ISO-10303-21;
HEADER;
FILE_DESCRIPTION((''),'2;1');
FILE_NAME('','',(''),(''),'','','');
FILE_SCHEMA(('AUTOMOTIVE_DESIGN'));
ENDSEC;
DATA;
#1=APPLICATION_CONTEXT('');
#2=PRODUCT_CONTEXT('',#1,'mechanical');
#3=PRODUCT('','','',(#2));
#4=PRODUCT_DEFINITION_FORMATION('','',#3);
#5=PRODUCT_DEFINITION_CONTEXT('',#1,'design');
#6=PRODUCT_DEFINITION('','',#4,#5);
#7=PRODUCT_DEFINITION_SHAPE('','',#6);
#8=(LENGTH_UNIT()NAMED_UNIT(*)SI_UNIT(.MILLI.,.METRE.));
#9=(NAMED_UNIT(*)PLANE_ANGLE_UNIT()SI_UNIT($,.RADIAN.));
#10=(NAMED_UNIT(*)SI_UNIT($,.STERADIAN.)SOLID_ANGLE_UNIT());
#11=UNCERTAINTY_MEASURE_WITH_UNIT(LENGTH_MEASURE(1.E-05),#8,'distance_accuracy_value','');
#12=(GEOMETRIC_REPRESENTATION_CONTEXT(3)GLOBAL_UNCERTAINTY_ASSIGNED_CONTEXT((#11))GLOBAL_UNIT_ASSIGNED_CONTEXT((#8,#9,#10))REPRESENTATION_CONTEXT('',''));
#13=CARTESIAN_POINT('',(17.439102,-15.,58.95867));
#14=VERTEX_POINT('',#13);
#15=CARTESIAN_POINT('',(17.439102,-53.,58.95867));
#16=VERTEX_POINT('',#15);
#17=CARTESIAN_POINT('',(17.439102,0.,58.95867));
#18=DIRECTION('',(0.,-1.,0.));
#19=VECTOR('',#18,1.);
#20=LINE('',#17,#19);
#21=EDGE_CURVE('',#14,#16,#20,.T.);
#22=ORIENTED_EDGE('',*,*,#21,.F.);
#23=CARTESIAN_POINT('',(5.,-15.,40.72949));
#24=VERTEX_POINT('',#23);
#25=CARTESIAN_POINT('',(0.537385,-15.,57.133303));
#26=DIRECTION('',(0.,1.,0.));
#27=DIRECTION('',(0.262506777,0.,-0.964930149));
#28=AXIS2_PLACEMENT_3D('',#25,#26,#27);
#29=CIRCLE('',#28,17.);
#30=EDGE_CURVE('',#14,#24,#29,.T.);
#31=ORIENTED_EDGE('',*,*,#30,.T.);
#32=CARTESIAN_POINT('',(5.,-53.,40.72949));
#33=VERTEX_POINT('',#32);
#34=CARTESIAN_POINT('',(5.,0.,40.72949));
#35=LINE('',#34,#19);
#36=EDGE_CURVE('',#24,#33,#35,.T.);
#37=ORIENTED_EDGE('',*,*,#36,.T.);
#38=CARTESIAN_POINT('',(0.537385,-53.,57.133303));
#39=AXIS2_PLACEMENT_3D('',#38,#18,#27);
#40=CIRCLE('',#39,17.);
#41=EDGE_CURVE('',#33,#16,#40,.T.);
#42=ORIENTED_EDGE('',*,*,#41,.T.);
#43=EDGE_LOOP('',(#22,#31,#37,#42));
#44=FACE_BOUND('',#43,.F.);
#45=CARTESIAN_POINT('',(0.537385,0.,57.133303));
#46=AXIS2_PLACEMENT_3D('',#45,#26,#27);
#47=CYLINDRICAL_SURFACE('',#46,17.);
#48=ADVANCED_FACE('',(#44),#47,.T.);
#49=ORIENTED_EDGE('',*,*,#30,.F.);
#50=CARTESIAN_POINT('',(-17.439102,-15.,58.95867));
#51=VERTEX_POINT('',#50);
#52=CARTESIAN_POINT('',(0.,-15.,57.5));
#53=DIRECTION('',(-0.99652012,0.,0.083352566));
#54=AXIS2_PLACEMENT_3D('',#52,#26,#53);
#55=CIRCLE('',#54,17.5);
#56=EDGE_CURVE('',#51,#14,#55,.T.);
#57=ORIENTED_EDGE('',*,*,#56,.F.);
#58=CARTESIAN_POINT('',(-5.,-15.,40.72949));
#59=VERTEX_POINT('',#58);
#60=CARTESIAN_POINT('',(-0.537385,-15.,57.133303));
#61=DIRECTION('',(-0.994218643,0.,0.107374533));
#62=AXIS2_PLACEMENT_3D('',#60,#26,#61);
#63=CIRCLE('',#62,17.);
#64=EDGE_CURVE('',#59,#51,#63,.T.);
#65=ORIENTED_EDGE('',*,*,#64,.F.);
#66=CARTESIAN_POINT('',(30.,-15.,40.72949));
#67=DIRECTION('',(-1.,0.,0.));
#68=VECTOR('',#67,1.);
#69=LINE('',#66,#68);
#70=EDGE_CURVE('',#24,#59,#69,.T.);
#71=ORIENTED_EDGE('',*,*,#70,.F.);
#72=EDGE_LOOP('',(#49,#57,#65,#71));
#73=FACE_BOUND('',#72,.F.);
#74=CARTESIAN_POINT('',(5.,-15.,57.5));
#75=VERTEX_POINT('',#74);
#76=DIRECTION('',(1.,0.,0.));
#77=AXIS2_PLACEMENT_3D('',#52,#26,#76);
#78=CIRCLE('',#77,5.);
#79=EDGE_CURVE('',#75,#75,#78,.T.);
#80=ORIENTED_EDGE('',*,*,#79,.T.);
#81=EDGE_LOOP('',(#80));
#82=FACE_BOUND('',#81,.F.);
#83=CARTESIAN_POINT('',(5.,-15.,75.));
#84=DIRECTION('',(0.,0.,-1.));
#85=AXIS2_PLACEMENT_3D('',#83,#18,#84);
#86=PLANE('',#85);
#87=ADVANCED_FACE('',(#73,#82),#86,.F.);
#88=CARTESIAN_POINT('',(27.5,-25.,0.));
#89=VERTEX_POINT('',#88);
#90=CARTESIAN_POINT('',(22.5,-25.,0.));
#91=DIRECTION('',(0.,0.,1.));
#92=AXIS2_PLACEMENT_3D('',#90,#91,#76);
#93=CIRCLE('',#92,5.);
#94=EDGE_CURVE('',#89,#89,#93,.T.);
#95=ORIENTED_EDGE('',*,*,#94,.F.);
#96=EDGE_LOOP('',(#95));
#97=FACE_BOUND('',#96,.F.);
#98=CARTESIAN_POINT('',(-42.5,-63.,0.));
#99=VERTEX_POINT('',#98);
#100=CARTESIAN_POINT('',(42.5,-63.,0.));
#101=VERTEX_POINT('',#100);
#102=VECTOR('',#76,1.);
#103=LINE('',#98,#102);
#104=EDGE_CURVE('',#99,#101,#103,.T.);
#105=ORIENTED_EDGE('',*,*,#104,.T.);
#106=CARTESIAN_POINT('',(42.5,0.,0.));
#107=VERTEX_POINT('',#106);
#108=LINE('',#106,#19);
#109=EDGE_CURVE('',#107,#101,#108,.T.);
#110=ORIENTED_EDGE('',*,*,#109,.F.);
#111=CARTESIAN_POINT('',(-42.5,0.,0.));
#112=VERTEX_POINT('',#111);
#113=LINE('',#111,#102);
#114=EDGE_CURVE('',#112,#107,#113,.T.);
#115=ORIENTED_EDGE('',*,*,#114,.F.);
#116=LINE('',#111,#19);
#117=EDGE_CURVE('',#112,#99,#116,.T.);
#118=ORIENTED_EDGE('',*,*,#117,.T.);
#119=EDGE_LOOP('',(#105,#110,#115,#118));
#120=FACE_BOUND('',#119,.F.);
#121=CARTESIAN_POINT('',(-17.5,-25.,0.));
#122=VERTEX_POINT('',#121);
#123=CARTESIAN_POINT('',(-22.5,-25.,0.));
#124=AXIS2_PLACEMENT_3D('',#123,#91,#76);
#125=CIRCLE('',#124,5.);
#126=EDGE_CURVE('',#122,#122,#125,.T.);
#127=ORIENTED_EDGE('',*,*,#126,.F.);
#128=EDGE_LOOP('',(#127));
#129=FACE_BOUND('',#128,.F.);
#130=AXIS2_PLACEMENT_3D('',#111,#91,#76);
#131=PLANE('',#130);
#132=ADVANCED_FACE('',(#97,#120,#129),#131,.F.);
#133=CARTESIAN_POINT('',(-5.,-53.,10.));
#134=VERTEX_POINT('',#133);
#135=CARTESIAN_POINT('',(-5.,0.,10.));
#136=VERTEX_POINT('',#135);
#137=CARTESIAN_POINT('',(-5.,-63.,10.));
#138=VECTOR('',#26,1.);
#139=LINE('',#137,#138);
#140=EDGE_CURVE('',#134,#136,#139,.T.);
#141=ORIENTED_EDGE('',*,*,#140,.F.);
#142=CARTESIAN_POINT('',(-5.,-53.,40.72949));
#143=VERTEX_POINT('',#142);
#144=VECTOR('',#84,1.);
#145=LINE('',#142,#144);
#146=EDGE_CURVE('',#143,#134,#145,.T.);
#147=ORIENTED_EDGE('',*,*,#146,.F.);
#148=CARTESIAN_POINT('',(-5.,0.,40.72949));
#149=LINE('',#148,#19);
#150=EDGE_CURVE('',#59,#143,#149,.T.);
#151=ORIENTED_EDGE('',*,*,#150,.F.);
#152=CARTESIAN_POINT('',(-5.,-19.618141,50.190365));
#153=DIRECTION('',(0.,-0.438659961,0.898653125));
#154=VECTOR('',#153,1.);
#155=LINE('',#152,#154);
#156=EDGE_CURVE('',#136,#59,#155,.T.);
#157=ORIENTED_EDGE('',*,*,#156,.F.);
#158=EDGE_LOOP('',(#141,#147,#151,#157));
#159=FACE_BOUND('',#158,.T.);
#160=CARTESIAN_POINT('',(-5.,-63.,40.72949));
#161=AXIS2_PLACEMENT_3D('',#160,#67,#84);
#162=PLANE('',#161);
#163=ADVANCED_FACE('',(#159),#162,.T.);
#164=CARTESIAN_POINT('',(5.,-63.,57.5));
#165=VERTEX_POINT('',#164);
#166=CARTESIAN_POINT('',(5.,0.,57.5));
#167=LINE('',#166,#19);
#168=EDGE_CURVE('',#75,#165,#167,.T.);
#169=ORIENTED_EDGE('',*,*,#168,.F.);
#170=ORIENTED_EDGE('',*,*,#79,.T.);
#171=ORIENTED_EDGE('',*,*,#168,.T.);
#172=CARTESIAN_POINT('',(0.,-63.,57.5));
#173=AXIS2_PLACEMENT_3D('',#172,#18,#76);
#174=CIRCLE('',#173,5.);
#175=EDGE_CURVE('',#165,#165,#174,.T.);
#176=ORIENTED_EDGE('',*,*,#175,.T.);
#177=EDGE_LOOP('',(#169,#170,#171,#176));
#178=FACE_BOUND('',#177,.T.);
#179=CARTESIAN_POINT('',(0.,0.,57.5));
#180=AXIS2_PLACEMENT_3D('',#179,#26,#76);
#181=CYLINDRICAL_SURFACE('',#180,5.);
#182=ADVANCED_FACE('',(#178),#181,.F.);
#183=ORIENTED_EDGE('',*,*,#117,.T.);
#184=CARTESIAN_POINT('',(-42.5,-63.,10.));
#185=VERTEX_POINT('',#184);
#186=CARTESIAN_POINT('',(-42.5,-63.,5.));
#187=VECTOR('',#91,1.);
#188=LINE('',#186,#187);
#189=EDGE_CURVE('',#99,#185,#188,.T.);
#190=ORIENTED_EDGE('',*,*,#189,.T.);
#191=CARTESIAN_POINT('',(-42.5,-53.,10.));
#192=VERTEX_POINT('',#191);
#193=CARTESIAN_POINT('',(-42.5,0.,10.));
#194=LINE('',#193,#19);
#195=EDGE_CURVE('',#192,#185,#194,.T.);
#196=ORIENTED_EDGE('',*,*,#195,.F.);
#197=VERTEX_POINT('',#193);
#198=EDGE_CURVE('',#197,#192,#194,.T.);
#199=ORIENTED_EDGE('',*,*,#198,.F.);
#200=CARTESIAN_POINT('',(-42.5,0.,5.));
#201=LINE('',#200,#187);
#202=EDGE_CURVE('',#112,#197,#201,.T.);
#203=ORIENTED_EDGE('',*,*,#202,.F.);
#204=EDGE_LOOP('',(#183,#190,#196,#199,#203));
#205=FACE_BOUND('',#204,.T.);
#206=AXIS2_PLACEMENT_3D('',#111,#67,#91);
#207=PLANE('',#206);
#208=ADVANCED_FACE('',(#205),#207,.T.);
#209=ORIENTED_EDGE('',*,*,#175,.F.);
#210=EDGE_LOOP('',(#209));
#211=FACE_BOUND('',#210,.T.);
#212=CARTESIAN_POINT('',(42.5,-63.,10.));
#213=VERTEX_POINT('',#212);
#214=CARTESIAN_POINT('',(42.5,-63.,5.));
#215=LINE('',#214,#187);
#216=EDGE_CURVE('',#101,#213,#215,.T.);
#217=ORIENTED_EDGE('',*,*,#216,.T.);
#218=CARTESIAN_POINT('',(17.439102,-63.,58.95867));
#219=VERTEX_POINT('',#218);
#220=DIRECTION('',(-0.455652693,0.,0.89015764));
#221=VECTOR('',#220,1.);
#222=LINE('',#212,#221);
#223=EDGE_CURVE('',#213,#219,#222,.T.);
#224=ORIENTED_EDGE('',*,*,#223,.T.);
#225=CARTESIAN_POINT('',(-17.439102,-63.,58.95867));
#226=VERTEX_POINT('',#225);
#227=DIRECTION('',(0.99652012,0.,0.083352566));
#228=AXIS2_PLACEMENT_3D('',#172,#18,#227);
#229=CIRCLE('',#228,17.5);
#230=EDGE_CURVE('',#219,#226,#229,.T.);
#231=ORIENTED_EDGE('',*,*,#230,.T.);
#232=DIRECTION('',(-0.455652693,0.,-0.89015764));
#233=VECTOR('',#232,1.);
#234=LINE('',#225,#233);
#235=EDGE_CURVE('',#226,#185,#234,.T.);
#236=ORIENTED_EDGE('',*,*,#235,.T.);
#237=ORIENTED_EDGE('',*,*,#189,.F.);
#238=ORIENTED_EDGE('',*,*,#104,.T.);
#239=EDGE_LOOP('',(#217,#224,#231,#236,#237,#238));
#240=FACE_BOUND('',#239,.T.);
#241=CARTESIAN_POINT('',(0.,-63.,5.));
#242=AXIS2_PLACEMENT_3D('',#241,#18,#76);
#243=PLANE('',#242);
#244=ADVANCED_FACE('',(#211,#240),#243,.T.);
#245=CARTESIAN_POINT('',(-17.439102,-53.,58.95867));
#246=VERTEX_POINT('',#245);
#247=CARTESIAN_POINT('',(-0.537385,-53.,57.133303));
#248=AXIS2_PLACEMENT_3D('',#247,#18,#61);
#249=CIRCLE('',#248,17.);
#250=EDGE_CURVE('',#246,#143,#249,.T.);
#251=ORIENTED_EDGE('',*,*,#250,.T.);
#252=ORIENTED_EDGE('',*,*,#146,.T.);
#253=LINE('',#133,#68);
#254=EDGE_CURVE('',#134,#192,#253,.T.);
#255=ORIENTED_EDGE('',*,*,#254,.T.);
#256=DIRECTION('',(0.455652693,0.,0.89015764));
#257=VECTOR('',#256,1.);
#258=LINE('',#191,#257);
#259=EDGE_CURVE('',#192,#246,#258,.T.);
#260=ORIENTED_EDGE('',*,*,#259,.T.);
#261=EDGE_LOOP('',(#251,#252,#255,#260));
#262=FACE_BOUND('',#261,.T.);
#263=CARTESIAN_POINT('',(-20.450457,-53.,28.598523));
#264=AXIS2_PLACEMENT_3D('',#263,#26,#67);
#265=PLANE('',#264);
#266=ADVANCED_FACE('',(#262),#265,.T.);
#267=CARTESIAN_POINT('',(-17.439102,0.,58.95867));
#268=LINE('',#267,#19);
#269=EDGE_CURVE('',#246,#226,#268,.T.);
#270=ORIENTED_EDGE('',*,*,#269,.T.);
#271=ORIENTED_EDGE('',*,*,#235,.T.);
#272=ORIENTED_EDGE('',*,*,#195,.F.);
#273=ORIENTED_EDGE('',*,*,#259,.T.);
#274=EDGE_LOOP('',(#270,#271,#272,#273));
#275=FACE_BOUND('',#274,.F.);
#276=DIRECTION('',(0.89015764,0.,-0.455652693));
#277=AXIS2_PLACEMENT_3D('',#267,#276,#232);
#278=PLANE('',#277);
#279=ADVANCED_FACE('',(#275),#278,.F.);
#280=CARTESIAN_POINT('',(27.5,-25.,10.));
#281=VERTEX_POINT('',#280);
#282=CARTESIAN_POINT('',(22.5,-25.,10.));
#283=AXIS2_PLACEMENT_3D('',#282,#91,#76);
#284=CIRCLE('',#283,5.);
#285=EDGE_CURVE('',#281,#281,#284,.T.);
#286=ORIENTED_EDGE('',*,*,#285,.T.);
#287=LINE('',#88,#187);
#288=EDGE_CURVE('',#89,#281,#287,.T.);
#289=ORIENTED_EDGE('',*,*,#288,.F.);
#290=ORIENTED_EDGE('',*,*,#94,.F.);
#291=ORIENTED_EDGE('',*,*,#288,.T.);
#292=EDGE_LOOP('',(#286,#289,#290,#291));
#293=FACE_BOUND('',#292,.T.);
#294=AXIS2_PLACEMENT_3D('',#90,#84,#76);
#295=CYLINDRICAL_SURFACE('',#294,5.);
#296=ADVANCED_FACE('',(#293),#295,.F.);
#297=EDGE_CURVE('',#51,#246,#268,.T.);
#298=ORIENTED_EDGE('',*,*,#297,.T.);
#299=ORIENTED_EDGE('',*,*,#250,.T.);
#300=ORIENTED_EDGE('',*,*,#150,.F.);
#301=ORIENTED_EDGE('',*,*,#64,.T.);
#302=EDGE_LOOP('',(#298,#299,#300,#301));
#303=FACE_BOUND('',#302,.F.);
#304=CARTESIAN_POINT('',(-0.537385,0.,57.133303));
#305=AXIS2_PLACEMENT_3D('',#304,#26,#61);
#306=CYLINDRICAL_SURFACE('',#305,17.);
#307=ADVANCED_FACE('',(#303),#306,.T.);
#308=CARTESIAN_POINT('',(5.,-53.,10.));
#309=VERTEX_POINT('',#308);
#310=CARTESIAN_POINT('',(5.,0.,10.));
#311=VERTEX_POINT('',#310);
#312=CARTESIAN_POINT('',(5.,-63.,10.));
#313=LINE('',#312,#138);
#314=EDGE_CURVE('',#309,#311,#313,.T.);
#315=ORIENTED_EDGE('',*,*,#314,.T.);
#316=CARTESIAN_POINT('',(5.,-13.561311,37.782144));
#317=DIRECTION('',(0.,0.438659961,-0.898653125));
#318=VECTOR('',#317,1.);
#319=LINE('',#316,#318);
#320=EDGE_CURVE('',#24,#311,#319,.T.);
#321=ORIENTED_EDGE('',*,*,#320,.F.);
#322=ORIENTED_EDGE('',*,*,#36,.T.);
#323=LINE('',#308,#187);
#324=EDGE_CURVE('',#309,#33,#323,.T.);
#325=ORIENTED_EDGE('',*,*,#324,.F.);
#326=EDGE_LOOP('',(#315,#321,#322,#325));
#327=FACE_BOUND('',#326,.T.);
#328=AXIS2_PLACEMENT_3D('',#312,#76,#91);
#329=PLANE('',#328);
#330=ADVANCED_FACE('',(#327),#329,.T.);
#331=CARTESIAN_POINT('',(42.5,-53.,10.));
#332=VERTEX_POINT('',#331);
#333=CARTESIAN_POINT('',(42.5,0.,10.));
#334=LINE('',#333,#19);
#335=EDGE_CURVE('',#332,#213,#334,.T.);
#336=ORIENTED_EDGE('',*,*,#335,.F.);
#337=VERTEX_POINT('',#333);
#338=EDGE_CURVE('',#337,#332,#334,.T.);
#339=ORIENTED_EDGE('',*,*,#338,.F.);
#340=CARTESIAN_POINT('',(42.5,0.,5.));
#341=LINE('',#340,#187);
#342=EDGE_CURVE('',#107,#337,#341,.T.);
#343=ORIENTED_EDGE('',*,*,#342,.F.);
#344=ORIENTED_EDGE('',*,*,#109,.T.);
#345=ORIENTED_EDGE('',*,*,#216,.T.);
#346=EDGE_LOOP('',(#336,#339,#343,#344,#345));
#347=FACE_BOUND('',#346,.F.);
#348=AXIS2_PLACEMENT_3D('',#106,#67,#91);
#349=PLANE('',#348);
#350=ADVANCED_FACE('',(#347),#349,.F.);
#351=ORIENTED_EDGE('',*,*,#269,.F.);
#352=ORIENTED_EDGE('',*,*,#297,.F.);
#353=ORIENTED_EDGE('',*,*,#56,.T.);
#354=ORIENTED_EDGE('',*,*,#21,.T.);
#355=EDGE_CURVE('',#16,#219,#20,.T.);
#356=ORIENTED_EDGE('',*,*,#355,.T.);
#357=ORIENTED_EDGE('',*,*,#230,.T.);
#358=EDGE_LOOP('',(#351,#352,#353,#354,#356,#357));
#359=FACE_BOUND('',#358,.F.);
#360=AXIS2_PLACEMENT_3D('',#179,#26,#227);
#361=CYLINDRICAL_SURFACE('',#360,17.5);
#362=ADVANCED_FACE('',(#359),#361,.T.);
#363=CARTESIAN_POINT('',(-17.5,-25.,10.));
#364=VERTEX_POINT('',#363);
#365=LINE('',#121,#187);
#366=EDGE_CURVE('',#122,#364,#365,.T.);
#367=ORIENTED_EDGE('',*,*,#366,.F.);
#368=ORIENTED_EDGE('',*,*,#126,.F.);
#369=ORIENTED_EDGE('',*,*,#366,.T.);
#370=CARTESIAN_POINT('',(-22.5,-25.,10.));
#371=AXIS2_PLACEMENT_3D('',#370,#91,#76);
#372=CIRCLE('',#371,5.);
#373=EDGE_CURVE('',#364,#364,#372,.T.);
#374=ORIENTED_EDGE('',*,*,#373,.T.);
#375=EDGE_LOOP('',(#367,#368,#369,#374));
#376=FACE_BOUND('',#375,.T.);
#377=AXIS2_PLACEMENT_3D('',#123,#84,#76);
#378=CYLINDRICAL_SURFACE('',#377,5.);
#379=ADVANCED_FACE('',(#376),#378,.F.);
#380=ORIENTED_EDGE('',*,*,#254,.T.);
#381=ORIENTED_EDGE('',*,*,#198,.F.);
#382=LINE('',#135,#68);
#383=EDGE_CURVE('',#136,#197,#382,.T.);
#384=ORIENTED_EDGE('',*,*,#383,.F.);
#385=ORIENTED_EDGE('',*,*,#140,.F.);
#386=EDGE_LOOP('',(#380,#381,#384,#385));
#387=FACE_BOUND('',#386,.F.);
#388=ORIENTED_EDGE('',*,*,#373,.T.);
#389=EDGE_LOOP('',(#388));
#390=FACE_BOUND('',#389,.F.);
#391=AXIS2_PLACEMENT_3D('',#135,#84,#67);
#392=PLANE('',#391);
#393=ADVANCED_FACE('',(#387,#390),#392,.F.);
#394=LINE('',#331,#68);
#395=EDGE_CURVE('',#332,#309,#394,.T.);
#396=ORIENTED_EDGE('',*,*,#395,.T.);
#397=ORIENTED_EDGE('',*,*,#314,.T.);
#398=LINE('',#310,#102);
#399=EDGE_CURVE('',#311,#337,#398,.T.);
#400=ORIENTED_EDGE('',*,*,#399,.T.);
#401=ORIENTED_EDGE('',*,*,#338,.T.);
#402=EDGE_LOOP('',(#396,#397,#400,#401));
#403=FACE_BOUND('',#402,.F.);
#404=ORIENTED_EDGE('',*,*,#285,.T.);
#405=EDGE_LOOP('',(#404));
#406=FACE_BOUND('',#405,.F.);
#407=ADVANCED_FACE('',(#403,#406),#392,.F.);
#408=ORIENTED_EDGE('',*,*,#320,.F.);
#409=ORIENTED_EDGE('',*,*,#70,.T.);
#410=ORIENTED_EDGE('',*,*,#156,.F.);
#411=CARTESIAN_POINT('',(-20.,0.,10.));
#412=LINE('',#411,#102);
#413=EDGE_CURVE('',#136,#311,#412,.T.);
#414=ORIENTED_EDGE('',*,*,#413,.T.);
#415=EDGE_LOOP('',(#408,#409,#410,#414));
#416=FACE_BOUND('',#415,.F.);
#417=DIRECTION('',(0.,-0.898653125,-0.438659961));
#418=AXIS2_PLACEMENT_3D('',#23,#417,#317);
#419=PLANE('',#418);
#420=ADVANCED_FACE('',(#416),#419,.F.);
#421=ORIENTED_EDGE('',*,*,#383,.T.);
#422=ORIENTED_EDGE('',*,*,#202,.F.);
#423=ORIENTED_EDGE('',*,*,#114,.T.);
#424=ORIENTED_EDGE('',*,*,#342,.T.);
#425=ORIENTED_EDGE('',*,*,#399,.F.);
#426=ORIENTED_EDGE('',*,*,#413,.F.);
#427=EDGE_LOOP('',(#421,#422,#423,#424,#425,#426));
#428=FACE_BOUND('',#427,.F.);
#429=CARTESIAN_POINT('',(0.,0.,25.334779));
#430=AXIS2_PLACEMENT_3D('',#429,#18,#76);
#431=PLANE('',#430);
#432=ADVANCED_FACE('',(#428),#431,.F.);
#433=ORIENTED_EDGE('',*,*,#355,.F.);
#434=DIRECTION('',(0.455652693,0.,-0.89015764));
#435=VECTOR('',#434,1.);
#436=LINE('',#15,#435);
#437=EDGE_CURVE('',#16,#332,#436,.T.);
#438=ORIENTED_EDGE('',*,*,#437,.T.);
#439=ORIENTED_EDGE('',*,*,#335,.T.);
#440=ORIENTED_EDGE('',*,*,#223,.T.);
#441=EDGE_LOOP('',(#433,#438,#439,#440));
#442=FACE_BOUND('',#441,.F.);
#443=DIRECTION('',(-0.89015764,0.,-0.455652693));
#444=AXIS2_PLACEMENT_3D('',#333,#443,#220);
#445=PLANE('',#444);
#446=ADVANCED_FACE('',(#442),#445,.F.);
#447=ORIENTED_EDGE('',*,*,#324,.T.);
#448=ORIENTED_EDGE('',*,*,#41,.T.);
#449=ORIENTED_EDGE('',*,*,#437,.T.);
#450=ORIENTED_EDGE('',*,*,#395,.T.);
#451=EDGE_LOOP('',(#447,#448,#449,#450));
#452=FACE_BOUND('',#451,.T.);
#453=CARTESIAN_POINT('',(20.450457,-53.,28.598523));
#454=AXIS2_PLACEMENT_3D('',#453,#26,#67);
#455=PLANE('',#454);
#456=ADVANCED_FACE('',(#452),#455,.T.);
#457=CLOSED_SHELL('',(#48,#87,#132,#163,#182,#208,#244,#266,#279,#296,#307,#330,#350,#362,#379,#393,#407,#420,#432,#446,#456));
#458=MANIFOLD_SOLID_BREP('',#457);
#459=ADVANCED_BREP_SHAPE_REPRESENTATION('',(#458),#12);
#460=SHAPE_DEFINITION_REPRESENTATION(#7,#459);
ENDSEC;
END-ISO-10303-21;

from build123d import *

# Parameters (mm, degrees)
F0_W     = 37.5
F0_H     = 10
F0_R     = 5
F1_DEPTH = 63
F2_R     = 5
F3_DEPTH = 10
F5_DEPTH = 53
F7_DEPTH = 63
F9_DEPTH = 25


with BuildPart() as f1:
    # F0 (on Front) → F1 (new body)
    with BuildSketch(Plane.XZ):
        Polygon((-5, 0), (0, 0), (5, 0), (5, 10), (-5, 10), align=None)
        with Locations((-23.75, 5)):
            Rectangle(F0_W, F0_H)
        with Locations((23.75, 5)):
            Rectangle(F0_W, F0_H)
        with BuildLine():
            Line((-42.5, 10), (-5, 10))
            Line((-5, 10), (-5, 40.72949))
            ThreePointArc((-5, 40.72949), (-14.455244, 47.63613), (-17.439102, 58.95867))
            Line((-17.439102, 58.95867), (-42.5, 10))
        make_face()
        with BuildLine():
            Line((5, 40.72949), (5, 10))
            Line((5, 10), (42.5, 10))
            Line((42.5, 10), (17.439102, 58.95867))
            ThreePointArc((17.439102, 58.95867), (17.484769, 58.22997), (17.5, 57.5))
            ThreePointArc((17.5, 57.5), (14.031215, 47.04175), (5, 40.72949))
        make_face()
        with BuildLine():
            ThreePointArc((-17.439102, 58.95867), (-14.455244, 47.63613), (-5, 40.72949))
            ThreePointArc((-5, 40.72949), (0, 40), (5, 40.72949))
            ThreePointArc((5, 40.72949), (14.031215, 47.04175), (17.5, 57.5))
            ThreePointArc((17.5, 57.5), (17.484769, 58.22997), (17.439102, 58.95867))
            ThreePointArc((17.439102, 58.95867), (0, 75), (-17.439102, 58.95867))
        make_face()
        with Locations((0, 57.5)):
            Circle(F0_R, mode=Mode.SUBTRACT)
    extrude(amount=F1_DEPTH)

    # F2 (on Top) → F3 (cut)
    with BuildSketch(Plane.XY):
        with Locations((-22.5, -25)):
            Circle(F2_R)
        with Locations((22.5, -25)):
            Circle(F2_R)
    extrude(amount=F3_DEPTH, mode=Mode.SUBTRACT)

    # F4 (on face) → F5 (cut)
    with BuildSketch(Plane(origin=(0, 0, 0), x_dir=(-1, 0, 0), z_dir=(0, 1, 0))):
        with BuildLine():
            Line((-17.439102, 58.95867), (-42.5, 10))
            Line((-42.5, 10), (-5, 10))
            Line((-5, 10), (-5, 40.72949))
            ThreePointArc((-5, 40.72949), (-14.579622, 47.551258), (-17.439102, 58.95867))
        make_face()
        with BuildLine():
            Line((42.5, 10), (17.439102, 58.95867))
            ThreePointArc((17.439102, 58.95867), (14.579622, 47.551258), (5, 40.72949))
            Line((5, 40.72949), (5, 10))
            Line((5, 10), (42.5, 10))
        make_face()
    extrude(amount=-F5_DEPTH, mode=Mode.SUBTRACT)

    # F6 (on face) → F7 (join)
    with BuildSketch(Plane.XZ.offset(63)):
        with BuildLine():
            Line((-5, 40.72949), (-5, 10))
            Line((-5, 10), (5, 10))
            Line((5, 10), (5, 40.72949))
            ThreePointArc((5, 40.72949), (0, 40), (-5, 40.72949))
        make_face()
    extrude(amount=-F7_DEPTH)

    # F8 (on face) → F9 (cut, symmetric)
    with BuildSketch(Plane.YZ.offset(5)):
        Polygon((-15, 40.72949), (0, 10), (0, 75), (-15, 75), align=None)
    extrude(amount=F9_DEPTH, both=True, mode=Mode.SUBTRACT)


solid = f1.part
